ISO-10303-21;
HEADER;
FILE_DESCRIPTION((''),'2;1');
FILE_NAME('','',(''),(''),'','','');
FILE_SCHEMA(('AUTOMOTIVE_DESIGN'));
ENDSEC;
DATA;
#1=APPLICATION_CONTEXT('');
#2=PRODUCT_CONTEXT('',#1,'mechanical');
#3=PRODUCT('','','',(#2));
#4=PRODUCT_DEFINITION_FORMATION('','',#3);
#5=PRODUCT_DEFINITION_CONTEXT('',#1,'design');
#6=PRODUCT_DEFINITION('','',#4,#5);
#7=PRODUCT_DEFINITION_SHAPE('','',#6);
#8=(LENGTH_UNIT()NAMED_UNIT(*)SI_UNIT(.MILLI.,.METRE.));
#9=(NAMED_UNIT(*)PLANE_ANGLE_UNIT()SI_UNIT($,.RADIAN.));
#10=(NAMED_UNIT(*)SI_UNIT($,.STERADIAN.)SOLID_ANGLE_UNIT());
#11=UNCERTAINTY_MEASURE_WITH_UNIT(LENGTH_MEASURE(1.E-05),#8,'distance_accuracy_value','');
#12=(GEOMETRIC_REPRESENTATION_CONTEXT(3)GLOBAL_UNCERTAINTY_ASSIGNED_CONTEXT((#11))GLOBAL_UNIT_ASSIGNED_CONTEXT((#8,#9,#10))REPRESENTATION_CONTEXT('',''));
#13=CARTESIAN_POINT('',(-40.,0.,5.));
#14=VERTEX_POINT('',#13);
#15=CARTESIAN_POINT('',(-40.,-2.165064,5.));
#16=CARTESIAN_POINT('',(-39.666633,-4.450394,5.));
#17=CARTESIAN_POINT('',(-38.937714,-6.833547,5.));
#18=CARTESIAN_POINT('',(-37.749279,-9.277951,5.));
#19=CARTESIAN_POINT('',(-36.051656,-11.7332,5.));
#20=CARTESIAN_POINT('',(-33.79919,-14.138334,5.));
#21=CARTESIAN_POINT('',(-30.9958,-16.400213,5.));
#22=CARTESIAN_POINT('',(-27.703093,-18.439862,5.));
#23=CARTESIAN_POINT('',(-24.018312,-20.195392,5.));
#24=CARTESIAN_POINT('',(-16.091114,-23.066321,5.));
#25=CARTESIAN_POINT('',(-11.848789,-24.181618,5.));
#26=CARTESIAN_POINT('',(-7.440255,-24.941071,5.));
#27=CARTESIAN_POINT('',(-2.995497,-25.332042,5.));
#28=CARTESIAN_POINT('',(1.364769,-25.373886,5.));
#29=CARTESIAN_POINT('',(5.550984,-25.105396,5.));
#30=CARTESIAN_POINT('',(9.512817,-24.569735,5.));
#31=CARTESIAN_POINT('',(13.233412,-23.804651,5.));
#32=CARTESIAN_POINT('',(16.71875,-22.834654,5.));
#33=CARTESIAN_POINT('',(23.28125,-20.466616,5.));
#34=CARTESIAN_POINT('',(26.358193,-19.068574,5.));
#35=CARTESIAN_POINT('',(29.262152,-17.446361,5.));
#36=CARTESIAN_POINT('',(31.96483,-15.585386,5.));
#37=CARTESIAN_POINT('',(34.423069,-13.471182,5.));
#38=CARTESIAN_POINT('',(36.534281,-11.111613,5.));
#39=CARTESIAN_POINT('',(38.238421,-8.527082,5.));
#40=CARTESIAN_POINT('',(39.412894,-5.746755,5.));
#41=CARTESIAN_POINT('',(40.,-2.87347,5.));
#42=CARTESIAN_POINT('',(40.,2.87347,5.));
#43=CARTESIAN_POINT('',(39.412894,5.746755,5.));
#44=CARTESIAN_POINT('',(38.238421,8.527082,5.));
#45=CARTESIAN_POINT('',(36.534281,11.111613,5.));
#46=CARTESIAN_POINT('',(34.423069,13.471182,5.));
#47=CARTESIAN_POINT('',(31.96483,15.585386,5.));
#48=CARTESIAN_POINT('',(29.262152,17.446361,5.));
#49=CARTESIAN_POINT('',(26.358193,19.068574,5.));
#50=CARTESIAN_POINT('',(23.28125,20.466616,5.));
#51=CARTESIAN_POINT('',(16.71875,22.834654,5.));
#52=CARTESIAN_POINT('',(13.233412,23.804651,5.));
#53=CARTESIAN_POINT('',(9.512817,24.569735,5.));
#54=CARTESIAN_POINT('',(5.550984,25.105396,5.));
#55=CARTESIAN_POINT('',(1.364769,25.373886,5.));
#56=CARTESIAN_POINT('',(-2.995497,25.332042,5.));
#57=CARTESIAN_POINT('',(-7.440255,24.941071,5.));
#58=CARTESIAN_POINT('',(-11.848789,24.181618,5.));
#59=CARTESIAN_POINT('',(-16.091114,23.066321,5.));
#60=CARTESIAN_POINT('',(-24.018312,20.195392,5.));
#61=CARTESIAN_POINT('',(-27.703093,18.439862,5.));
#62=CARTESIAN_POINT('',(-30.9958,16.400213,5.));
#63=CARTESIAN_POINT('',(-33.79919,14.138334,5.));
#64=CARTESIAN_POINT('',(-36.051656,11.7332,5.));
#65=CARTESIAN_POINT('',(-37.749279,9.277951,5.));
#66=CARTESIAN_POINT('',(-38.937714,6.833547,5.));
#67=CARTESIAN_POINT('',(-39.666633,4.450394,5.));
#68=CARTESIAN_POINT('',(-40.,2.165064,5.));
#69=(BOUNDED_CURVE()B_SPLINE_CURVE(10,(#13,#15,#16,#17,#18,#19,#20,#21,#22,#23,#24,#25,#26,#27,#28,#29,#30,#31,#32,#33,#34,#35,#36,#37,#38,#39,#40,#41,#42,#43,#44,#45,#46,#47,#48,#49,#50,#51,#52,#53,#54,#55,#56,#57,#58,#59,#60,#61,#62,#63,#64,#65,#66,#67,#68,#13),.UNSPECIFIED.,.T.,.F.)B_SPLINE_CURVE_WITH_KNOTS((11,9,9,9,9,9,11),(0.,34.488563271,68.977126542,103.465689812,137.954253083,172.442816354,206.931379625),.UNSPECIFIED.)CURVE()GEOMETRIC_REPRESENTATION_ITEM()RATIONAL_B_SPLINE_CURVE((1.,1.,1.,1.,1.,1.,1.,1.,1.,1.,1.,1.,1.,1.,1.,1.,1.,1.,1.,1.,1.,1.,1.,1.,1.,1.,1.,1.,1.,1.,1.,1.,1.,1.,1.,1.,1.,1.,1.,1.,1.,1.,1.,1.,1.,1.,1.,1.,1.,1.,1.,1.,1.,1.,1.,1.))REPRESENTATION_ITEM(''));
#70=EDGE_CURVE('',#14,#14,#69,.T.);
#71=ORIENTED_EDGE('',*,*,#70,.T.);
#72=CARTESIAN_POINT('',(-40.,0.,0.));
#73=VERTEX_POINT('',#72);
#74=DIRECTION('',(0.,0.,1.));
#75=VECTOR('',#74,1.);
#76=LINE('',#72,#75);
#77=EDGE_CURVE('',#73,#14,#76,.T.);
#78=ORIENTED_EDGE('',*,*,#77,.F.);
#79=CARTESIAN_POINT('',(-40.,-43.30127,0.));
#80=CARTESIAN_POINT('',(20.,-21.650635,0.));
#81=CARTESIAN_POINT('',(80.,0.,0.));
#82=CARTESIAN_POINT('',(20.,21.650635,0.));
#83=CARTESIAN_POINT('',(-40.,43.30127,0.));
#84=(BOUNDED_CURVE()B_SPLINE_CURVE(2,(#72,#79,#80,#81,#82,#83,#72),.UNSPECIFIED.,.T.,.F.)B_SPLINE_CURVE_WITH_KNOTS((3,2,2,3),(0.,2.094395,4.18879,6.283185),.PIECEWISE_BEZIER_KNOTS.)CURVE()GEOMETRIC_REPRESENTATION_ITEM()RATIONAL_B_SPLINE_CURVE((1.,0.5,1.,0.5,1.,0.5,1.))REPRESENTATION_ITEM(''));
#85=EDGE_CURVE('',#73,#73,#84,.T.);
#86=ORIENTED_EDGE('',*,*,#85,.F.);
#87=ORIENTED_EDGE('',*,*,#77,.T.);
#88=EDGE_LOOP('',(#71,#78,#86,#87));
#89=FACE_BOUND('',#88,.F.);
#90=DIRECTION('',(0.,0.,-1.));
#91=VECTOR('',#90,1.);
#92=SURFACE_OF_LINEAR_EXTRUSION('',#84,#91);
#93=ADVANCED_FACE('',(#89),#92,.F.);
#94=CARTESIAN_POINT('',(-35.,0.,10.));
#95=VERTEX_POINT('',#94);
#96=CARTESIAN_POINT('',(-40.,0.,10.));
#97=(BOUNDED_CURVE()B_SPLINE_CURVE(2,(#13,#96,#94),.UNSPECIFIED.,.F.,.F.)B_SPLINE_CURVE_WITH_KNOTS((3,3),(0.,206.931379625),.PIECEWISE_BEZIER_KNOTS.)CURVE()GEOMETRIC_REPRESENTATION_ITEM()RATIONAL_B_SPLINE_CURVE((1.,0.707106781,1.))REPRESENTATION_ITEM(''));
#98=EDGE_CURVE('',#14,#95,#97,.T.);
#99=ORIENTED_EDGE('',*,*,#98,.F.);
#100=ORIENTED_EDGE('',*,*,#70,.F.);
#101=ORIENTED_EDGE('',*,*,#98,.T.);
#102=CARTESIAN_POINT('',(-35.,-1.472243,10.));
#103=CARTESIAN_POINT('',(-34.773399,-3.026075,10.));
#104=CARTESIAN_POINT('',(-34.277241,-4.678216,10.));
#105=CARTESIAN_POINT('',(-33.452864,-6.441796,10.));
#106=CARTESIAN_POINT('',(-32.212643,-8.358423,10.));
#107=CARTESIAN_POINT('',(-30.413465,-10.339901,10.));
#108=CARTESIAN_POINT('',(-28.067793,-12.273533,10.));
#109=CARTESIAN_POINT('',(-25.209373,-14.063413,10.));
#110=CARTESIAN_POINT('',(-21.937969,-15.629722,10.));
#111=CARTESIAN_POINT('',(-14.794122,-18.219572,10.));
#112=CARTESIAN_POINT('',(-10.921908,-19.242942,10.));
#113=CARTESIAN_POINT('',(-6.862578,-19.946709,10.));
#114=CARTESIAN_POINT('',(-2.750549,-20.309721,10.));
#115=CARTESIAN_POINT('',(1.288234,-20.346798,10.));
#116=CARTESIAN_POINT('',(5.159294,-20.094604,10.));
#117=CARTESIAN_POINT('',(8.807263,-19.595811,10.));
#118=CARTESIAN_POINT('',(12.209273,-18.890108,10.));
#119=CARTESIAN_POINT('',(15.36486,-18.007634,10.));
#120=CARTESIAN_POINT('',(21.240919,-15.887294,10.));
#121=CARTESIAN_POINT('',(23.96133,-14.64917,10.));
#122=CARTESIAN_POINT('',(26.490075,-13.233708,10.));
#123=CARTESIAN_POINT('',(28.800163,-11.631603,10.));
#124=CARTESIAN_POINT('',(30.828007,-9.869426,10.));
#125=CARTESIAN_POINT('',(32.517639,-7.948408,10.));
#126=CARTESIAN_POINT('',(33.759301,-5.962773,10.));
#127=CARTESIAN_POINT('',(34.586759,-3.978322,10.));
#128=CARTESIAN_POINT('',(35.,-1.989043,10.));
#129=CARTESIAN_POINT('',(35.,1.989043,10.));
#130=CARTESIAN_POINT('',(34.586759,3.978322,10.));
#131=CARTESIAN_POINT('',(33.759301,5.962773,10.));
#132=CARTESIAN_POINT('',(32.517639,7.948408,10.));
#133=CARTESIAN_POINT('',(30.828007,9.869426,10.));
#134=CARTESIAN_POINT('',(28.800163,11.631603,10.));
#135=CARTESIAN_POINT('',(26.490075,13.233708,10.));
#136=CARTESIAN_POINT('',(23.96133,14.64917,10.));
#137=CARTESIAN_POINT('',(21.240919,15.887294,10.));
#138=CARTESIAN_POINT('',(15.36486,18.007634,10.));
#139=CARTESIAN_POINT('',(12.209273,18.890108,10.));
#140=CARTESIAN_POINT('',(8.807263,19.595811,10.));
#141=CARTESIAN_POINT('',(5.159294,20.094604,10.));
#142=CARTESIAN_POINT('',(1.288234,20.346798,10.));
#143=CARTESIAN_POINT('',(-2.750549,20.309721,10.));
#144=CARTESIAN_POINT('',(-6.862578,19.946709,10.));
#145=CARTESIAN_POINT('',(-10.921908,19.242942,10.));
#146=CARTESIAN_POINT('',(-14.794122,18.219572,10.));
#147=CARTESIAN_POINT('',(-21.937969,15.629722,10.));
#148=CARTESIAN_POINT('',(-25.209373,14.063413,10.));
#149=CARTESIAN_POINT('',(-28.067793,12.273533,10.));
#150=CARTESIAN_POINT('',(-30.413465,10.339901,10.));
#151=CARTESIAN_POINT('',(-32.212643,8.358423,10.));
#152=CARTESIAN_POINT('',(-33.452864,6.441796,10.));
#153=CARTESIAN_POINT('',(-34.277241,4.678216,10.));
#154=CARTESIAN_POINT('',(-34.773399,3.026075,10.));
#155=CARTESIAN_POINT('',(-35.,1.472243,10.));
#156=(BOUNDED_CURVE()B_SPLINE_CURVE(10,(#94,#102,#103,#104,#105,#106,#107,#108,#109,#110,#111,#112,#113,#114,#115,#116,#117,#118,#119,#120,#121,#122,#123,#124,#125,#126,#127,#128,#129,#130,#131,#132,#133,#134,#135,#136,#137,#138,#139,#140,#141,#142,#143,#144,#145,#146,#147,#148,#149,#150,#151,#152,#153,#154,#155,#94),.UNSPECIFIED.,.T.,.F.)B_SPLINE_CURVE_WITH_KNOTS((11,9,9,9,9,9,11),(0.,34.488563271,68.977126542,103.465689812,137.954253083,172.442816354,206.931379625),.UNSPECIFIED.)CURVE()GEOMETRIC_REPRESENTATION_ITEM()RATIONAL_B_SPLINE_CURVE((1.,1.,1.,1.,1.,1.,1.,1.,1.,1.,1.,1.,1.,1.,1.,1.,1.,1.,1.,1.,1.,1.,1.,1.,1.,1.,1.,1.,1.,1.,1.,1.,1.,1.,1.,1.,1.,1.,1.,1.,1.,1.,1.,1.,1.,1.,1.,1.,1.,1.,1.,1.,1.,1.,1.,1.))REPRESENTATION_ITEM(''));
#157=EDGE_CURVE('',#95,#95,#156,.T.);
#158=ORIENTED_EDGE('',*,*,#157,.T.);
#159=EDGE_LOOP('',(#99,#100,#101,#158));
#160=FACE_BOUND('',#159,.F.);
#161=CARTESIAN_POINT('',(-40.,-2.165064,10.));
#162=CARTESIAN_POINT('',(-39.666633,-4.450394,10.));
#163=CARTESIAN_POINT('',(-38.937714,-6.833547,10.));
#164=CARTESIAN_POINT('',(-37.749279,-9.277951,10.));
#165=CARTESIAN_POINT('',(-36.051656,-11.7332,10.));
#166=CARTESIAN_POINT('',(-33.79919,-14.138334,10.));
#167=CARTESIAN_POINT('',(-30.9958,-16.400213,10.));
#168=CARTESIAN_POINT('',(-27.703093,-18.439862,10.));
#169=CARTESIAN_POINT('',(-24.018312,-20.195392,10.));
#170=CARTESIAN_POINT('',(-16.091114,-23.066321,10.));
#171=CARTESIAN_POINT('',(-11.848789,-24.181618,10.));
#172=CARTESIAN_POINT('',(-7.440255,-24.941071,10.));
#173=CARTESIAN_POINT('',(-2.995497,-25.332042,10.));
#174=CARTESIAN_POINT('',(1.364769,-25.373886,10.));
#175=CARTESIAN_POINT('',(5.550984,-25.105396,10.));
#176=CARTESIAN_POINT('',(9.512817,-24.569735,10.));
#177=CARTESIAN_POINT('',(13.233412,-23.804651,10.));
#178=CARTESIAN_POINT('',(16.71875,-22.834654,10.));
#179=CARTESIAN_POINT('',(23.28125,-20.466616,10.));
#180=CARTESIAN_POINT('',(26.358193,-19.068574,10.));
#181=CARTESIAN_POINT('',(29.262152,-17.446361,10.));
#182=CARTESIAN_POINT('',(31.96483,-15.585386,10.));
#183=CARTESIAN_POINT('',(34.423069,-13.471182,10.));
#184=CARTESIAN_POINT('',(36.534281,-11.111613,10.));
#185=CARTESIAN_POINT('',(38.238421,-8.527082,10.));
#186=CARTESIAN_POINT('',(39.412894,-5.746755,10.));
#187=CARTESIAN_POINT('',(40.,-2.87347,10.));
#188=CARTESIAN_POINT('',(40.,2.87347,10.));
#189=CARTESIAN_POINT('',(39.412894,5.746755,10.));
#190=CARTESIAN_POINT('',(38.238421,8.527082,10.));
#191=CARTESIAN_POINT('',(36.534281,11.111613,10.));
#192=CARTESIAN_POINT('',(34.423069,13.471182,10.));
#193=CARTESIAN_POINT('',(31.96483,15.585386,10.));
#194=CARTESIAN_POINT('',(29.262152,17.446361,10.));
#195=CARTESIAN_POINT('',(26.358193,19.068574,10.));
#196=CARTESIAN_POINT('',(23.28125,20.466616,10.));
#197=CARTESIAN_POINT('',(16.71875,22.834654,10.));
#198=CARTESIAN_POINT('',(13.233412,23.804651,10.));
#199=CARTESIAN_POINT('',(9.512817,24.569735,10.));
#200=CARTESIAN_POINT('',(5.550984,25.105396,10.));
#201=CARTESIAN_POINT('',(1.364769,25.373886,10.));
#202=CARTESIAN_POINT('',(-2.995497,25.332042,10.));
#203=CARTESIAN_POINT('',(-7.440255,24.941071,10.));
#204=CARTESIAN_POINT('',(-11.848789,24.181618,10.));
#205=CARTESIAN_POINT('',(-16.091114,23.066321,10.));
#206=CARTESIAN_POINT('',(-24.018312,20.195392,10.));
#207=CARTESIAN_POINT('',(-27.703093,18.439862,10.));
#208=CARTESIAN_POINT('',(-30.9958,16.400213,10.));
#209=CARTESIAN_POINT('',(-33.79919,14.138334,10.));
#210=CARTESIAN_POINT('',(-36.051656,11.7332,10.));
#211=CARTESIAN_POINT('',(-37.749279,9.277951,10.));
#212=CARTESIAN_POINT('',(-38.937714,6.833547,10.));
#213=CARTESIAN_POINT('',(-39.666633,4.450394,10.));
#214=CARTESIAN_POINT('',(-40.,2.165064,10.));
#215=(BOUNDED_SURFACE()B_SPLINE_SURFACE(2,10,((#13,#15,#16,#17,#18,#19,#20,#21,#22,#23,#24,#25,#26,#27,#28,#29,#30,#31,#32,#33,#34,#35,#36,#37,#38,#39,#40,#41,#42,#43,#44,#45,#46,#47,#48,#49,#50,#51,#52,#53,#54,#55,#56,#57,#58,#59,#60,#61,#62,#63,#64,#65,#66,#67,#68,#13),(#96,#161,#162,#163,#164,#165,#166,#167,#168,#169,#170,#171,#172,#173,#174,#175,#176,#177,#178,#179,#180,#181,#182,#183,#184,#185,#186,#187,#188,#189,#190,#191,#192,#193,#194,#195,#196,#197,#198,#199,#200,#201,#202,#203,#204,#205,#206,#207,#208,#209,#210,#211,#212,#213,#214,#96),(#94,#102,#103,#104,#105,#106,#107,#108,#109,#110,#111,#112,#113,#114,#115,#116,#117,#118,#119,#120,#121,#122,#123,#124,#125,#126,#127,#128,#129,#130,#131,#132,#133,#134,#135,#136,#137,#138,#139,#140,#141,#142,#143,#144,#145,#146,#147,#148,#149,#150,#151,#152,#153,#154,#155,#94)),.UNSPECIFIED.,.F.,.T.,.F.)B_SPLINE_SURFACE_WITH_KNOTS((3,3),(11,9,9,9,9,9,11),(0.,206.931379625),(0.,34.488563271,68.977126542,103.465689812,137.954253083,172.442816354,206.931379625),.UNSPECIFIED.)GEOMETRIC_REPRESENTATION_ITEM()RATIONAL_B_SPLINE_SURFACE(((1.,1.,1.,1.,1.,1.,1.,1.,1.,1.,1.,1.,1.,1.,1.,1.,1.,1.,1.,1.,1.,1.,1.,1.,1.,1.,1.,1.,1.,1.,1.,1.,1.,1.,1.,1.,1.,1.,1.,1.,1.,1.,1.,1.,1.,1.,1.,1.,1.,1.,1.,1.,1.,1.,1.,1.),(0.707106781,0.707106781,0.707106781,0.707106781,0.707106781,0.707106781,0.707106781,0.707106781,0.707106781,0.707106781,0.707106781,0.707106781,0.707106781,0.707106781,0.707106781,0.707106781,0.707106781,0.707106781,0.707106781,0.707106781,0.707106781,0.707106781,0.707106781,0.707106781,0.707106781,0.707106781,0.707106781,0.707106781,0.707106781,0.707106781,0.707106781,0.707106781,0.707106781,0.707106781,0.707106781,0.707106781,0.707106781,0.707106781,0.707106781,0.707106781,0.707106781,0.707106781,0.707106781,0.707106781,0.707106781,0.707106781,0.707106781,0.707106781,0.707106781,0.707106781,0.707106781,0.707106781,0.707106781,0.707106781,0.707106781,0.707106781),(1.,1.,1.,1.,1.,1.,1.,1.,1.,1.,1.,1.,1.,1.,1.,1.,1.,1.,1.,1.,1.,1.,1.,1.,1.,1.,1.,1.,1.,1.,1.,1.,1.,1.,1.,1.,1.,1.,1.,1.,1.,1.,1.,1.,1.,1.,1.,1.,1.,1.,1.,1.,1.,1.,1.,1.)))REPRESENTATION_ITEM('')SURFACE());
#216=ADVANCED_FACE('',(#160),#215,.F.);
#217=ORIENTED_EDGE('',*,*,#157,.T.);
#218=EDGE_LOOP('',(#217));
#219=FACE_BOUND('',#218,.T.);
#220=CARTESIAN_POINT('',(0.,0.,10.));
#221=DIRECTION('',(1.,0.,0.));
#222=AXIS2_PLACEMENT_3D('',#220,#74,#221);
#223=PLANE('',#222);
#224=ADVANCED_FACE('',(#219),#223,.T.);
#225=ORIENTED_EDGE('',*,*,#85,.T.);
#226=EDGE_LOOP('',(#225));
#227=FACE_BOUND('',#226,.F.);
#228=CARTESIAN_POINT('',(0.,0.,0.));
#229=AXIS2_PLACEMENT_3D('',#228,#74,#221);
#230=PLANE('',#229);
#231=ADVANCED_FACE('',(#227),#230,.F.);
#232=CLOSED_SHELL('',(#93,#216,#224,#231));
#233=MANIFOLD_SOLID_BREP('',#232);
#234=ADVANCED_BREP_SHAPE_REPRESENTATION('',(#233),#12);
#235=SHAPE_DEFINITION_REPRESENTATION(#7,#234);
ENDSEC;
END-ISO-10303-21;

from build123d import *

# Parameters (mm, degrees)
F1_DEPTH = 10
F2_R     = 5


with BuildPart() as f1:
    # F0 (on Top) → F1 (new body)
    with BuildSketch(Plane.XY):
        with BuildLine():
            add(Edge.make_bspline(
                [(-40, 0), (-40, -43.30127), (20, -21.650635), (80, 0), (20, 21.650635), (-40, 43.30127), (-40, 0)],
                knots=[0, 0, 0, 2.094395, 2.094395, 4.18879, 4.18879, 6.283185, 6.283185, 6.283185], degree=2, weights=[1, 0.5, 1, 0.5, 1, 0.5, 1]))
        make_face()
    extrude(amount=F1_DEPTH)

    # F2
    f2_edges = [f1.edges().sort_by_distance(p)[0] for p in [
        (40, 0, 10),
    ]]
    fillet(f2_edges, radius=F2_R)


solid = f1.part
